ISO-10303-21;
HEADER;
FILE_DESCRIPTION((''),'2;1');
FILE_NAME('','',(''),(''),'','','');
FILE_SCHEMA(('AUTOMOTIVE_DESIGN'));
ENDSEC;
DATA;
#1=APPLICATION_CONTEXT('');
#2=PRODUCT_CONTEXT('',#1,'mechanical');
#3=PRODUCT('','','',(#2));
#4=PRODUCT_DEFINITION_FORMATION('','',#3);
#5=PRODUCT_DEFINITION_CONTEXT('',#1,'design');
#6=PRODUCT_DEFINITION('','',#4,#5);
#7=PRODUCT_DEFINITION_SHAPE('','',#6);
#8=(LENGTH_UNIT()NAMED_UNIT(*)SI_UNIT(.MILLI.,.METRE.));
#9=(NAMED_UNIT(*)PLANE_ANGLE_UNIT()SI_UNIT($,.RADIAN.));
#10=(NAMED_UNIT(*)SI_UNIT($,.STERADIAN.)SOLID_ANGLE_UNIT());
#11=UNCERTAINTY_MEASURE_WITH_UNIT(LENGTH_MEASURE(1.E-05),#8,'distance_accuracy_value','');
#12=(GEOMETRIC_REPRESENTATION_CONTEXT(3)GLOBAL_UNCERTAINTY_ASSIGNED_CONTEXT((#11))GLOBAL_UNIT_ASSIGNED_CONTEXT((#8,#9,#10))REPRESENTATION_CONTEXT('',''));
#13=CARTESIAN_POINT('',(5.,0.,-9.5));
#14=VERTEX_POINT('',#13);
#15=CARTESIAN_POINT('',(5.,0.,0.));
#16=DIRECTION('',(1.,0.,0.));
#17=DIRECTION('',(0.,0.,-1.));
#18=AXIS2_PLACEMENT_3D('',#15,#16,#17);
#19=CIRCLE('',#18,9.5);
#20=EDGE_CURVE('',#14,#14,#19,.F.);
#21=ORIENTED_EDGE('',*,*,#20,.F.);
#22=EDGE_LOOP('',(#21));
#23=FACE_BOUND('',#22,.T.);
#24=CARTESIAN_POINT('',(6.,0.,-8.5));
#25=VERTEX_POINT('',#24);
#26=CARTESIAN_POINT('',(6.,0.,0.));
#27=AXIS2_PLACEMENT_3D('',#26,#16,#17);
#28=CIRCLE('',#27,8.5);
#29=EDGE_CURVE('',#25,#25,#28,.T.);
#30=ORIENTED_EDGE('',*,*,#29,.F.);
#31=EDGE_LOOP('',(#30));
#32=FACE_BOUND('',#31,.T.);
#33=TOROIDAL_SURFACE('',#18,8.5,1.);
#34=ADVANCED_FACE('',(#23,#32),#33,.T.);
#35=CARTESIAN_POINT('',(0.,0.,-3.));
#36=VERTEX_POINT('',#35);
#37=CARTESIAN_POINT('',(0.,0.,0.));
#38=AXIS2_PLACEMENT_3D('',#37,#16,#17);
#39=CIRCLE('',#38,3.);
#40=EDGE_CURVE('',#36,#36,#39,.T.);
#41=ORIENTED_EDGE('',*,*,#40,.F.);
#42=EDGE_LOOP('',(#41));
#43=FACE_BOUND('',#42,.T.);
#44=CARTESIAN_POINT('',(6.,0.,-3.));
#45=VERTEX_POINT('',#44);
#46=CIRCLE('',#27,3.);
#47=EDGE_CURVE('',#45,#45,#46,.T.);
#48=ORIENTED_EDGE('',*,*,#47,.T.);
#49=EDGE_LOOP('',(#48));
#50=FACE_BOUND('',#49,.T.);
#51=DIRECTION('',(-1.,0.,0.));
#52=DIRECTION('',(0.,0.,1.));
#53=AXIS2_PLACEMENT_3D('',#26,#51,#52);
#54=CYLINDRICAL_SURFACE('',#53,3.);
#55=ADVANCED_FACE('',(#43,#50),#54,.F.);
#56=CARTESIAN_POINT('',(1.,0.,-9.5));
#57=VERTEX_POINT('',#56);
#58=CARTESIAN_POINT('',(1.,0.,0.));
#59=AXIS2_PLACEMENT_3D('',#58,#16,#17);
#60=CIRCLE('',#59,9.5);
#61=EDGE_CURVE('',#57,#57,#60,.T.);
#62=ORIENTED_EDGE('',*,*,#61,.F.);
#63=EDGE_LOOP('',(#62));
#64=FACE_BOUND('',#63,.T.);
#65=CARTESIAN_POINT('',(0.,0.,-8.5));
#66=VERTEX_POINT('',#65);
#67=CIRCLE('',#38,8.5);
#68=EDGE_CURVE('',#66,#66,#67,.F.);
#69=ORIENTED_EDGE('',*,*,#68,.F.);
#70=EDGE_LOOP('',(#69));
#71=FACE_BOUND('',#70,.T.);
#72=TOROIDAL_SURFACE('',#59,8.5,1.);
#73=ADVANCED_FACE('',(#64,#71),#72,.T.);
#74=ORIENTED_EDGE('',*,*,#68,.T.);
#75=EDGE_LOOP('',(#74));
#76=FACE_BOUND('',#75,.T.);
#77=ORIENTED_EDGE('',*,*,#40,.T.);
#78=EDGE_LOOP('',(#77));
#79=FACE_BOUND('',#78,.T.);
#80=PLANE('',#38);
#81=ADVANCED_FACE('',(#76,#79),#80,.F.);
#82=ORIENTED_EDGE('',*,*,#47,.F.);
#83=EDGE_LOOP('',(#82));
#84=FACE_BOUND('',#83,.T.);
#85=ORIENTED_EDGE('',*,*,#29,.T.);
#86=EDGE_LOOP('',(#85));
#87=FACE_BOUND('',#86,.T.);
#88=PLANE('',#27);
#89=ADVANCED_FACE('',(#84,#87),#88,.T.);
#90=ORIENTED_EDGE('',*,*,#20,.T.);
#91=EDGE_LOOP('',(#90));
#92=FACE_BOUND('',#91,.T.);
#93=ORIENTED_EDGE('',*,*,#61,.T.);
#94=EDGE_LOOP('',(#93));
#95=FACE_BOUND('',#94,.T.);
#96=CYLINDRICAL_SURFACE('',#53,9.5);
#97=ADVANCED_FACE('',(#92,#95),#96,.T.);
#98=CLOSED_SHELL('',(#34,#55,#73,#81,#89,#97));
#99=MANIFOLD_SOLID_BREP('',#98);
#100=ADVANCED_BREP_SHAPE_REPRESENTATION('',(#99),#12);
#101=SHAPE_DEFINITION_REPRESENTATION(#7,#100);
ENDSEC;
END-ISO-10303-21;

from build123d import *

# Parameters (mm, degrees)
SKETCH_1_R      = 9.5
SKETCH_1_R_2    = 3
EXTRUDE_1_DEPTH = 6
FILLET_1_R      = 1


with BuildPart() as part:
    # 草图1 → 凸台-拉伸1 (new body)
    with BuildSketch(Plane(origin=(0, 0, 0), x_dir=(0, 0, -1), z_dir=(1, 0, 0))):
        Circle(SKETCH_1_R)
        Circle(SKETCH_1_R_2, mode=Mode.SUBTRACT)
    extrude(amount=EXTRUDE_1_DEPTH)

    # 圆角1
    fillet_1_edges = [part.edges().sort_by_distance(p)[0] for p in [
        (0, 0, 9.5),
        (6, 0, 9.5),
    ]]
    fillet(fillet_1_edges, radius=FILLET_1_R)


solid = part.part
